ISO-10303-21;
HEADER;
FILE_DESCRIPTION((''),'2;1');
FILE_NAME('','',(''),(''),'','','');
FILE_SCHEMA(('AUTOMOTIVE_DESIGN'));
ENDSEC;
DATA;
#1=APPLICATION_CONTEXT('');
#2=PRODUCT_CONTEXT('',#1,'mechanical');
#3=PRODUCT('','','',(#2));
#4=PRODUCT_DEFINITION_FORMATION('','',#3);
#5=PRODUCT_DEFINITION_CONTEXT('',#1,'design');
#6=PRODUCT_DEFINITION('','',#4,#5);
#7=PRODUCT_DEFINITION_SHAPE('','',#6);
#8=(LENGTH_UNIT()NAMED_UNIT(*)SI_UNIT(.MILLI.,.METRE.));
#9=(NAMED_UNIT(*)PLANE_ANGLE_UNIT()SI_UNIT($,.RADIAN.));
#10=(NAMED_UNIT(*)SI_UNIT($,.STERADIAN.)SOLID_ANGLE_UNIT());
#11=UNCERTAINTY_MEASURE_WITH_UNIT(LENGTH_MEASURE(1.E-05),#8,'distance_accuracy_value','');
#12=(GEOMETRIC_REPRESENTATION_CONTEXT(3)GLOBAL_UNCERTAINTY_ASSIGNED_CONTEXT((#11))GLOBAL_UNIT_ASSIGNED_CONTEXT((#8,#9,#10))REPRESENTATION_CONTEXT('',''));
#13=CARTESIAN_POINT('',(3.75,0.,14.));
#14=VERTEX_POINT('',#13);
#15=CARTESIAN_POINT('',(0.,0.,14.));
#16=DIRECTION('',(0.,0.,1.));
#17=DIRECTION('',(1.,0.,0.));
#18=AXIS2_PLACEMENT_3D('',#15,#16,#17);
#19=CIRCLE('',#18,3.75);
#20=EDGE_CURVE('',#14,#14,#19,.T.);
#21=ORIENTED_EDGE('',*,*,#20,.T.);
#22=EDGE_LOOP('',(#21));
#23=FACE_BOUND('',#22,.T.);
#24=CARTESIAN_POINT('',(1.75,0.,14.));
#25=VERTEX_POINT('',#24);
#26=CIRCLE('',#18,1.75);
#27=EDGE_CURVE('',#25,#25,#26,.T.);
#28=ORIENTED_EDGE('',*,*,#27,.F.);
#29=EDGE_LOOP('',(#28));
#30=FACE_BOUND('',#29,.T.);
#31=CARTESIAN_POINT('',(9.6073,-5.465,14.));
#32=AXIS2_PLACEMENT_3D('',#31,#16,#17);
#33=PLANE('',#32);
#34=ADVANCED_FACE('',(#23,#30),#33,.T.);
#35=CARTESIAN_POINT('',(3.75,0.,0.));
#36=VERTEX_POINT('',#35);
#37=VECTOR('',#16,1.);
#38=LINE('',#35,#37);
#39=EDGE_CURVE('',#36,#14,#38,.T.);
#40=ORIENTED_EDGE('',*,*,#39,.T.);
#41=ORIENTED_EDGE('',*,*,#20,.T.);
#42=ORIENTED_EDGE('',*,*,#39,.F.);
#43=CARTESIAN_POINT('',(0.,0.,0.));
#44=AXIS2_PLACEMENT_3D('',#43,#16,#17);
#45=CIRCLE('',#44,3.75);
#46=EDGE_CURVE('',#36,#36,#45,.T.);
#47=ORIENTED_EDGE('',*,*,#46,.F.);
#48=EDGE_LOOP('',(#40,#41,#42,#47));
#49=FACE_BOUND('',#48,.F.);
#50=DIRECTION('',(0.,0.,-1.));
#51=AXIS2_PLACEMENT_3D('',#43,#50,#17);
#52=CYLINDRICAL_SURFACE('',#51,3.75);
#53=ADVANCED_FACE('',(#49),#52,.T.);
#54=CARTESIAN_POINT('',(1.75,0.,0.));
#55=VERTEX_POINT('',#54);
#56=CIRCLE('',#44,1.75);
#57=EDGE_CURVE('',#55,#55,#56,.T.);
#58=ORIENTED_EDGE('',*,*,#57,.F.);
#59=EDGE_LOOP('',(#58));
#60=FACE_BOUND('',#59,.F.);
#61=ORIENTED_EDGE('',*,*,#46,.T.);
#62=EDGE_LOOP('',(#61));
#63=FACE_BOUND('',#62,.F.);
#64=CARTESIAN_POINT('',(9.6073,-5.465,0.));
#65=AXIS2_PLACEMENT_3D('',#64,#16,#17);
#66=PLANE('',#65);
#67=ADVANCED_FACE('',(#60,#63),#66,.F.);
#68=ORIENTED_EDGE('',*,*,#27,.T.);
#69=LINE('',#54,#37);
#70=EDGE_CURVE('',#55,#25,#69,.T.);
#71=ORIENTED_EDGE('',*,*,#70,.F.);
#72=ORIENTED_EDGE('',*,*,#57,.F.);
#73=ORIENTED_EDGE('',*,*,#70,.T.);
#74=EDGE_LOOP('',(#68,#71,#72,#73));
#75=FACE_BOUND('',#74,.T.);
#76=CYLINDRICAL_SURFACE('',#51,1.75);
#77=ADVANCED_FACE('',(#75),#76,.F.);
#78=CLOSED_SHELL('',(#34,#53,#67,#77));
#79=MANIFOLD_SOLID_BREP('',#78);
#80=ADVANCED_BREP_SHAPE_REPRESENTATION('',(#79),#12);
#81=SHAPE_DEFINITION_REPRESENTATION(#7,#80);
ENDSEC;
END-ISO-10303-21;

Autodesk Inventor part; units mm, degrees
ref_plane "YZ Plane" through (0, 0, 0) normal (1, 0, 0) x (0, 1, 0)
ref_plane "XZ Plane" through (0, 0, 0) normal (0, 1, 0) x (-1, 0, 0)
ref_plane "XY Plane" through (0, 0, 0) normal (0, 0, 1) x (1, 0, 0)
ref_plane "Work Plane1" through (9.6073, -5.465, 0) normal (0, 0, 1) x (1, 0, 0)
sketch "Sketch1" plane through (9.6073, -5.465, 0) normal (0, 0, 1) x (1, 0, 0)
  circle A0 centre (-9.6073, 5.465) radius 1.75
  circle A1 centre (-9.6073, 5.465) radius 3.75
  dimension "d0" = 3.5
  dimension "d1" = 2
extrude "Extrusion1" add sketch "Sketch1" along normal blind 14
properties part number "spacer"
